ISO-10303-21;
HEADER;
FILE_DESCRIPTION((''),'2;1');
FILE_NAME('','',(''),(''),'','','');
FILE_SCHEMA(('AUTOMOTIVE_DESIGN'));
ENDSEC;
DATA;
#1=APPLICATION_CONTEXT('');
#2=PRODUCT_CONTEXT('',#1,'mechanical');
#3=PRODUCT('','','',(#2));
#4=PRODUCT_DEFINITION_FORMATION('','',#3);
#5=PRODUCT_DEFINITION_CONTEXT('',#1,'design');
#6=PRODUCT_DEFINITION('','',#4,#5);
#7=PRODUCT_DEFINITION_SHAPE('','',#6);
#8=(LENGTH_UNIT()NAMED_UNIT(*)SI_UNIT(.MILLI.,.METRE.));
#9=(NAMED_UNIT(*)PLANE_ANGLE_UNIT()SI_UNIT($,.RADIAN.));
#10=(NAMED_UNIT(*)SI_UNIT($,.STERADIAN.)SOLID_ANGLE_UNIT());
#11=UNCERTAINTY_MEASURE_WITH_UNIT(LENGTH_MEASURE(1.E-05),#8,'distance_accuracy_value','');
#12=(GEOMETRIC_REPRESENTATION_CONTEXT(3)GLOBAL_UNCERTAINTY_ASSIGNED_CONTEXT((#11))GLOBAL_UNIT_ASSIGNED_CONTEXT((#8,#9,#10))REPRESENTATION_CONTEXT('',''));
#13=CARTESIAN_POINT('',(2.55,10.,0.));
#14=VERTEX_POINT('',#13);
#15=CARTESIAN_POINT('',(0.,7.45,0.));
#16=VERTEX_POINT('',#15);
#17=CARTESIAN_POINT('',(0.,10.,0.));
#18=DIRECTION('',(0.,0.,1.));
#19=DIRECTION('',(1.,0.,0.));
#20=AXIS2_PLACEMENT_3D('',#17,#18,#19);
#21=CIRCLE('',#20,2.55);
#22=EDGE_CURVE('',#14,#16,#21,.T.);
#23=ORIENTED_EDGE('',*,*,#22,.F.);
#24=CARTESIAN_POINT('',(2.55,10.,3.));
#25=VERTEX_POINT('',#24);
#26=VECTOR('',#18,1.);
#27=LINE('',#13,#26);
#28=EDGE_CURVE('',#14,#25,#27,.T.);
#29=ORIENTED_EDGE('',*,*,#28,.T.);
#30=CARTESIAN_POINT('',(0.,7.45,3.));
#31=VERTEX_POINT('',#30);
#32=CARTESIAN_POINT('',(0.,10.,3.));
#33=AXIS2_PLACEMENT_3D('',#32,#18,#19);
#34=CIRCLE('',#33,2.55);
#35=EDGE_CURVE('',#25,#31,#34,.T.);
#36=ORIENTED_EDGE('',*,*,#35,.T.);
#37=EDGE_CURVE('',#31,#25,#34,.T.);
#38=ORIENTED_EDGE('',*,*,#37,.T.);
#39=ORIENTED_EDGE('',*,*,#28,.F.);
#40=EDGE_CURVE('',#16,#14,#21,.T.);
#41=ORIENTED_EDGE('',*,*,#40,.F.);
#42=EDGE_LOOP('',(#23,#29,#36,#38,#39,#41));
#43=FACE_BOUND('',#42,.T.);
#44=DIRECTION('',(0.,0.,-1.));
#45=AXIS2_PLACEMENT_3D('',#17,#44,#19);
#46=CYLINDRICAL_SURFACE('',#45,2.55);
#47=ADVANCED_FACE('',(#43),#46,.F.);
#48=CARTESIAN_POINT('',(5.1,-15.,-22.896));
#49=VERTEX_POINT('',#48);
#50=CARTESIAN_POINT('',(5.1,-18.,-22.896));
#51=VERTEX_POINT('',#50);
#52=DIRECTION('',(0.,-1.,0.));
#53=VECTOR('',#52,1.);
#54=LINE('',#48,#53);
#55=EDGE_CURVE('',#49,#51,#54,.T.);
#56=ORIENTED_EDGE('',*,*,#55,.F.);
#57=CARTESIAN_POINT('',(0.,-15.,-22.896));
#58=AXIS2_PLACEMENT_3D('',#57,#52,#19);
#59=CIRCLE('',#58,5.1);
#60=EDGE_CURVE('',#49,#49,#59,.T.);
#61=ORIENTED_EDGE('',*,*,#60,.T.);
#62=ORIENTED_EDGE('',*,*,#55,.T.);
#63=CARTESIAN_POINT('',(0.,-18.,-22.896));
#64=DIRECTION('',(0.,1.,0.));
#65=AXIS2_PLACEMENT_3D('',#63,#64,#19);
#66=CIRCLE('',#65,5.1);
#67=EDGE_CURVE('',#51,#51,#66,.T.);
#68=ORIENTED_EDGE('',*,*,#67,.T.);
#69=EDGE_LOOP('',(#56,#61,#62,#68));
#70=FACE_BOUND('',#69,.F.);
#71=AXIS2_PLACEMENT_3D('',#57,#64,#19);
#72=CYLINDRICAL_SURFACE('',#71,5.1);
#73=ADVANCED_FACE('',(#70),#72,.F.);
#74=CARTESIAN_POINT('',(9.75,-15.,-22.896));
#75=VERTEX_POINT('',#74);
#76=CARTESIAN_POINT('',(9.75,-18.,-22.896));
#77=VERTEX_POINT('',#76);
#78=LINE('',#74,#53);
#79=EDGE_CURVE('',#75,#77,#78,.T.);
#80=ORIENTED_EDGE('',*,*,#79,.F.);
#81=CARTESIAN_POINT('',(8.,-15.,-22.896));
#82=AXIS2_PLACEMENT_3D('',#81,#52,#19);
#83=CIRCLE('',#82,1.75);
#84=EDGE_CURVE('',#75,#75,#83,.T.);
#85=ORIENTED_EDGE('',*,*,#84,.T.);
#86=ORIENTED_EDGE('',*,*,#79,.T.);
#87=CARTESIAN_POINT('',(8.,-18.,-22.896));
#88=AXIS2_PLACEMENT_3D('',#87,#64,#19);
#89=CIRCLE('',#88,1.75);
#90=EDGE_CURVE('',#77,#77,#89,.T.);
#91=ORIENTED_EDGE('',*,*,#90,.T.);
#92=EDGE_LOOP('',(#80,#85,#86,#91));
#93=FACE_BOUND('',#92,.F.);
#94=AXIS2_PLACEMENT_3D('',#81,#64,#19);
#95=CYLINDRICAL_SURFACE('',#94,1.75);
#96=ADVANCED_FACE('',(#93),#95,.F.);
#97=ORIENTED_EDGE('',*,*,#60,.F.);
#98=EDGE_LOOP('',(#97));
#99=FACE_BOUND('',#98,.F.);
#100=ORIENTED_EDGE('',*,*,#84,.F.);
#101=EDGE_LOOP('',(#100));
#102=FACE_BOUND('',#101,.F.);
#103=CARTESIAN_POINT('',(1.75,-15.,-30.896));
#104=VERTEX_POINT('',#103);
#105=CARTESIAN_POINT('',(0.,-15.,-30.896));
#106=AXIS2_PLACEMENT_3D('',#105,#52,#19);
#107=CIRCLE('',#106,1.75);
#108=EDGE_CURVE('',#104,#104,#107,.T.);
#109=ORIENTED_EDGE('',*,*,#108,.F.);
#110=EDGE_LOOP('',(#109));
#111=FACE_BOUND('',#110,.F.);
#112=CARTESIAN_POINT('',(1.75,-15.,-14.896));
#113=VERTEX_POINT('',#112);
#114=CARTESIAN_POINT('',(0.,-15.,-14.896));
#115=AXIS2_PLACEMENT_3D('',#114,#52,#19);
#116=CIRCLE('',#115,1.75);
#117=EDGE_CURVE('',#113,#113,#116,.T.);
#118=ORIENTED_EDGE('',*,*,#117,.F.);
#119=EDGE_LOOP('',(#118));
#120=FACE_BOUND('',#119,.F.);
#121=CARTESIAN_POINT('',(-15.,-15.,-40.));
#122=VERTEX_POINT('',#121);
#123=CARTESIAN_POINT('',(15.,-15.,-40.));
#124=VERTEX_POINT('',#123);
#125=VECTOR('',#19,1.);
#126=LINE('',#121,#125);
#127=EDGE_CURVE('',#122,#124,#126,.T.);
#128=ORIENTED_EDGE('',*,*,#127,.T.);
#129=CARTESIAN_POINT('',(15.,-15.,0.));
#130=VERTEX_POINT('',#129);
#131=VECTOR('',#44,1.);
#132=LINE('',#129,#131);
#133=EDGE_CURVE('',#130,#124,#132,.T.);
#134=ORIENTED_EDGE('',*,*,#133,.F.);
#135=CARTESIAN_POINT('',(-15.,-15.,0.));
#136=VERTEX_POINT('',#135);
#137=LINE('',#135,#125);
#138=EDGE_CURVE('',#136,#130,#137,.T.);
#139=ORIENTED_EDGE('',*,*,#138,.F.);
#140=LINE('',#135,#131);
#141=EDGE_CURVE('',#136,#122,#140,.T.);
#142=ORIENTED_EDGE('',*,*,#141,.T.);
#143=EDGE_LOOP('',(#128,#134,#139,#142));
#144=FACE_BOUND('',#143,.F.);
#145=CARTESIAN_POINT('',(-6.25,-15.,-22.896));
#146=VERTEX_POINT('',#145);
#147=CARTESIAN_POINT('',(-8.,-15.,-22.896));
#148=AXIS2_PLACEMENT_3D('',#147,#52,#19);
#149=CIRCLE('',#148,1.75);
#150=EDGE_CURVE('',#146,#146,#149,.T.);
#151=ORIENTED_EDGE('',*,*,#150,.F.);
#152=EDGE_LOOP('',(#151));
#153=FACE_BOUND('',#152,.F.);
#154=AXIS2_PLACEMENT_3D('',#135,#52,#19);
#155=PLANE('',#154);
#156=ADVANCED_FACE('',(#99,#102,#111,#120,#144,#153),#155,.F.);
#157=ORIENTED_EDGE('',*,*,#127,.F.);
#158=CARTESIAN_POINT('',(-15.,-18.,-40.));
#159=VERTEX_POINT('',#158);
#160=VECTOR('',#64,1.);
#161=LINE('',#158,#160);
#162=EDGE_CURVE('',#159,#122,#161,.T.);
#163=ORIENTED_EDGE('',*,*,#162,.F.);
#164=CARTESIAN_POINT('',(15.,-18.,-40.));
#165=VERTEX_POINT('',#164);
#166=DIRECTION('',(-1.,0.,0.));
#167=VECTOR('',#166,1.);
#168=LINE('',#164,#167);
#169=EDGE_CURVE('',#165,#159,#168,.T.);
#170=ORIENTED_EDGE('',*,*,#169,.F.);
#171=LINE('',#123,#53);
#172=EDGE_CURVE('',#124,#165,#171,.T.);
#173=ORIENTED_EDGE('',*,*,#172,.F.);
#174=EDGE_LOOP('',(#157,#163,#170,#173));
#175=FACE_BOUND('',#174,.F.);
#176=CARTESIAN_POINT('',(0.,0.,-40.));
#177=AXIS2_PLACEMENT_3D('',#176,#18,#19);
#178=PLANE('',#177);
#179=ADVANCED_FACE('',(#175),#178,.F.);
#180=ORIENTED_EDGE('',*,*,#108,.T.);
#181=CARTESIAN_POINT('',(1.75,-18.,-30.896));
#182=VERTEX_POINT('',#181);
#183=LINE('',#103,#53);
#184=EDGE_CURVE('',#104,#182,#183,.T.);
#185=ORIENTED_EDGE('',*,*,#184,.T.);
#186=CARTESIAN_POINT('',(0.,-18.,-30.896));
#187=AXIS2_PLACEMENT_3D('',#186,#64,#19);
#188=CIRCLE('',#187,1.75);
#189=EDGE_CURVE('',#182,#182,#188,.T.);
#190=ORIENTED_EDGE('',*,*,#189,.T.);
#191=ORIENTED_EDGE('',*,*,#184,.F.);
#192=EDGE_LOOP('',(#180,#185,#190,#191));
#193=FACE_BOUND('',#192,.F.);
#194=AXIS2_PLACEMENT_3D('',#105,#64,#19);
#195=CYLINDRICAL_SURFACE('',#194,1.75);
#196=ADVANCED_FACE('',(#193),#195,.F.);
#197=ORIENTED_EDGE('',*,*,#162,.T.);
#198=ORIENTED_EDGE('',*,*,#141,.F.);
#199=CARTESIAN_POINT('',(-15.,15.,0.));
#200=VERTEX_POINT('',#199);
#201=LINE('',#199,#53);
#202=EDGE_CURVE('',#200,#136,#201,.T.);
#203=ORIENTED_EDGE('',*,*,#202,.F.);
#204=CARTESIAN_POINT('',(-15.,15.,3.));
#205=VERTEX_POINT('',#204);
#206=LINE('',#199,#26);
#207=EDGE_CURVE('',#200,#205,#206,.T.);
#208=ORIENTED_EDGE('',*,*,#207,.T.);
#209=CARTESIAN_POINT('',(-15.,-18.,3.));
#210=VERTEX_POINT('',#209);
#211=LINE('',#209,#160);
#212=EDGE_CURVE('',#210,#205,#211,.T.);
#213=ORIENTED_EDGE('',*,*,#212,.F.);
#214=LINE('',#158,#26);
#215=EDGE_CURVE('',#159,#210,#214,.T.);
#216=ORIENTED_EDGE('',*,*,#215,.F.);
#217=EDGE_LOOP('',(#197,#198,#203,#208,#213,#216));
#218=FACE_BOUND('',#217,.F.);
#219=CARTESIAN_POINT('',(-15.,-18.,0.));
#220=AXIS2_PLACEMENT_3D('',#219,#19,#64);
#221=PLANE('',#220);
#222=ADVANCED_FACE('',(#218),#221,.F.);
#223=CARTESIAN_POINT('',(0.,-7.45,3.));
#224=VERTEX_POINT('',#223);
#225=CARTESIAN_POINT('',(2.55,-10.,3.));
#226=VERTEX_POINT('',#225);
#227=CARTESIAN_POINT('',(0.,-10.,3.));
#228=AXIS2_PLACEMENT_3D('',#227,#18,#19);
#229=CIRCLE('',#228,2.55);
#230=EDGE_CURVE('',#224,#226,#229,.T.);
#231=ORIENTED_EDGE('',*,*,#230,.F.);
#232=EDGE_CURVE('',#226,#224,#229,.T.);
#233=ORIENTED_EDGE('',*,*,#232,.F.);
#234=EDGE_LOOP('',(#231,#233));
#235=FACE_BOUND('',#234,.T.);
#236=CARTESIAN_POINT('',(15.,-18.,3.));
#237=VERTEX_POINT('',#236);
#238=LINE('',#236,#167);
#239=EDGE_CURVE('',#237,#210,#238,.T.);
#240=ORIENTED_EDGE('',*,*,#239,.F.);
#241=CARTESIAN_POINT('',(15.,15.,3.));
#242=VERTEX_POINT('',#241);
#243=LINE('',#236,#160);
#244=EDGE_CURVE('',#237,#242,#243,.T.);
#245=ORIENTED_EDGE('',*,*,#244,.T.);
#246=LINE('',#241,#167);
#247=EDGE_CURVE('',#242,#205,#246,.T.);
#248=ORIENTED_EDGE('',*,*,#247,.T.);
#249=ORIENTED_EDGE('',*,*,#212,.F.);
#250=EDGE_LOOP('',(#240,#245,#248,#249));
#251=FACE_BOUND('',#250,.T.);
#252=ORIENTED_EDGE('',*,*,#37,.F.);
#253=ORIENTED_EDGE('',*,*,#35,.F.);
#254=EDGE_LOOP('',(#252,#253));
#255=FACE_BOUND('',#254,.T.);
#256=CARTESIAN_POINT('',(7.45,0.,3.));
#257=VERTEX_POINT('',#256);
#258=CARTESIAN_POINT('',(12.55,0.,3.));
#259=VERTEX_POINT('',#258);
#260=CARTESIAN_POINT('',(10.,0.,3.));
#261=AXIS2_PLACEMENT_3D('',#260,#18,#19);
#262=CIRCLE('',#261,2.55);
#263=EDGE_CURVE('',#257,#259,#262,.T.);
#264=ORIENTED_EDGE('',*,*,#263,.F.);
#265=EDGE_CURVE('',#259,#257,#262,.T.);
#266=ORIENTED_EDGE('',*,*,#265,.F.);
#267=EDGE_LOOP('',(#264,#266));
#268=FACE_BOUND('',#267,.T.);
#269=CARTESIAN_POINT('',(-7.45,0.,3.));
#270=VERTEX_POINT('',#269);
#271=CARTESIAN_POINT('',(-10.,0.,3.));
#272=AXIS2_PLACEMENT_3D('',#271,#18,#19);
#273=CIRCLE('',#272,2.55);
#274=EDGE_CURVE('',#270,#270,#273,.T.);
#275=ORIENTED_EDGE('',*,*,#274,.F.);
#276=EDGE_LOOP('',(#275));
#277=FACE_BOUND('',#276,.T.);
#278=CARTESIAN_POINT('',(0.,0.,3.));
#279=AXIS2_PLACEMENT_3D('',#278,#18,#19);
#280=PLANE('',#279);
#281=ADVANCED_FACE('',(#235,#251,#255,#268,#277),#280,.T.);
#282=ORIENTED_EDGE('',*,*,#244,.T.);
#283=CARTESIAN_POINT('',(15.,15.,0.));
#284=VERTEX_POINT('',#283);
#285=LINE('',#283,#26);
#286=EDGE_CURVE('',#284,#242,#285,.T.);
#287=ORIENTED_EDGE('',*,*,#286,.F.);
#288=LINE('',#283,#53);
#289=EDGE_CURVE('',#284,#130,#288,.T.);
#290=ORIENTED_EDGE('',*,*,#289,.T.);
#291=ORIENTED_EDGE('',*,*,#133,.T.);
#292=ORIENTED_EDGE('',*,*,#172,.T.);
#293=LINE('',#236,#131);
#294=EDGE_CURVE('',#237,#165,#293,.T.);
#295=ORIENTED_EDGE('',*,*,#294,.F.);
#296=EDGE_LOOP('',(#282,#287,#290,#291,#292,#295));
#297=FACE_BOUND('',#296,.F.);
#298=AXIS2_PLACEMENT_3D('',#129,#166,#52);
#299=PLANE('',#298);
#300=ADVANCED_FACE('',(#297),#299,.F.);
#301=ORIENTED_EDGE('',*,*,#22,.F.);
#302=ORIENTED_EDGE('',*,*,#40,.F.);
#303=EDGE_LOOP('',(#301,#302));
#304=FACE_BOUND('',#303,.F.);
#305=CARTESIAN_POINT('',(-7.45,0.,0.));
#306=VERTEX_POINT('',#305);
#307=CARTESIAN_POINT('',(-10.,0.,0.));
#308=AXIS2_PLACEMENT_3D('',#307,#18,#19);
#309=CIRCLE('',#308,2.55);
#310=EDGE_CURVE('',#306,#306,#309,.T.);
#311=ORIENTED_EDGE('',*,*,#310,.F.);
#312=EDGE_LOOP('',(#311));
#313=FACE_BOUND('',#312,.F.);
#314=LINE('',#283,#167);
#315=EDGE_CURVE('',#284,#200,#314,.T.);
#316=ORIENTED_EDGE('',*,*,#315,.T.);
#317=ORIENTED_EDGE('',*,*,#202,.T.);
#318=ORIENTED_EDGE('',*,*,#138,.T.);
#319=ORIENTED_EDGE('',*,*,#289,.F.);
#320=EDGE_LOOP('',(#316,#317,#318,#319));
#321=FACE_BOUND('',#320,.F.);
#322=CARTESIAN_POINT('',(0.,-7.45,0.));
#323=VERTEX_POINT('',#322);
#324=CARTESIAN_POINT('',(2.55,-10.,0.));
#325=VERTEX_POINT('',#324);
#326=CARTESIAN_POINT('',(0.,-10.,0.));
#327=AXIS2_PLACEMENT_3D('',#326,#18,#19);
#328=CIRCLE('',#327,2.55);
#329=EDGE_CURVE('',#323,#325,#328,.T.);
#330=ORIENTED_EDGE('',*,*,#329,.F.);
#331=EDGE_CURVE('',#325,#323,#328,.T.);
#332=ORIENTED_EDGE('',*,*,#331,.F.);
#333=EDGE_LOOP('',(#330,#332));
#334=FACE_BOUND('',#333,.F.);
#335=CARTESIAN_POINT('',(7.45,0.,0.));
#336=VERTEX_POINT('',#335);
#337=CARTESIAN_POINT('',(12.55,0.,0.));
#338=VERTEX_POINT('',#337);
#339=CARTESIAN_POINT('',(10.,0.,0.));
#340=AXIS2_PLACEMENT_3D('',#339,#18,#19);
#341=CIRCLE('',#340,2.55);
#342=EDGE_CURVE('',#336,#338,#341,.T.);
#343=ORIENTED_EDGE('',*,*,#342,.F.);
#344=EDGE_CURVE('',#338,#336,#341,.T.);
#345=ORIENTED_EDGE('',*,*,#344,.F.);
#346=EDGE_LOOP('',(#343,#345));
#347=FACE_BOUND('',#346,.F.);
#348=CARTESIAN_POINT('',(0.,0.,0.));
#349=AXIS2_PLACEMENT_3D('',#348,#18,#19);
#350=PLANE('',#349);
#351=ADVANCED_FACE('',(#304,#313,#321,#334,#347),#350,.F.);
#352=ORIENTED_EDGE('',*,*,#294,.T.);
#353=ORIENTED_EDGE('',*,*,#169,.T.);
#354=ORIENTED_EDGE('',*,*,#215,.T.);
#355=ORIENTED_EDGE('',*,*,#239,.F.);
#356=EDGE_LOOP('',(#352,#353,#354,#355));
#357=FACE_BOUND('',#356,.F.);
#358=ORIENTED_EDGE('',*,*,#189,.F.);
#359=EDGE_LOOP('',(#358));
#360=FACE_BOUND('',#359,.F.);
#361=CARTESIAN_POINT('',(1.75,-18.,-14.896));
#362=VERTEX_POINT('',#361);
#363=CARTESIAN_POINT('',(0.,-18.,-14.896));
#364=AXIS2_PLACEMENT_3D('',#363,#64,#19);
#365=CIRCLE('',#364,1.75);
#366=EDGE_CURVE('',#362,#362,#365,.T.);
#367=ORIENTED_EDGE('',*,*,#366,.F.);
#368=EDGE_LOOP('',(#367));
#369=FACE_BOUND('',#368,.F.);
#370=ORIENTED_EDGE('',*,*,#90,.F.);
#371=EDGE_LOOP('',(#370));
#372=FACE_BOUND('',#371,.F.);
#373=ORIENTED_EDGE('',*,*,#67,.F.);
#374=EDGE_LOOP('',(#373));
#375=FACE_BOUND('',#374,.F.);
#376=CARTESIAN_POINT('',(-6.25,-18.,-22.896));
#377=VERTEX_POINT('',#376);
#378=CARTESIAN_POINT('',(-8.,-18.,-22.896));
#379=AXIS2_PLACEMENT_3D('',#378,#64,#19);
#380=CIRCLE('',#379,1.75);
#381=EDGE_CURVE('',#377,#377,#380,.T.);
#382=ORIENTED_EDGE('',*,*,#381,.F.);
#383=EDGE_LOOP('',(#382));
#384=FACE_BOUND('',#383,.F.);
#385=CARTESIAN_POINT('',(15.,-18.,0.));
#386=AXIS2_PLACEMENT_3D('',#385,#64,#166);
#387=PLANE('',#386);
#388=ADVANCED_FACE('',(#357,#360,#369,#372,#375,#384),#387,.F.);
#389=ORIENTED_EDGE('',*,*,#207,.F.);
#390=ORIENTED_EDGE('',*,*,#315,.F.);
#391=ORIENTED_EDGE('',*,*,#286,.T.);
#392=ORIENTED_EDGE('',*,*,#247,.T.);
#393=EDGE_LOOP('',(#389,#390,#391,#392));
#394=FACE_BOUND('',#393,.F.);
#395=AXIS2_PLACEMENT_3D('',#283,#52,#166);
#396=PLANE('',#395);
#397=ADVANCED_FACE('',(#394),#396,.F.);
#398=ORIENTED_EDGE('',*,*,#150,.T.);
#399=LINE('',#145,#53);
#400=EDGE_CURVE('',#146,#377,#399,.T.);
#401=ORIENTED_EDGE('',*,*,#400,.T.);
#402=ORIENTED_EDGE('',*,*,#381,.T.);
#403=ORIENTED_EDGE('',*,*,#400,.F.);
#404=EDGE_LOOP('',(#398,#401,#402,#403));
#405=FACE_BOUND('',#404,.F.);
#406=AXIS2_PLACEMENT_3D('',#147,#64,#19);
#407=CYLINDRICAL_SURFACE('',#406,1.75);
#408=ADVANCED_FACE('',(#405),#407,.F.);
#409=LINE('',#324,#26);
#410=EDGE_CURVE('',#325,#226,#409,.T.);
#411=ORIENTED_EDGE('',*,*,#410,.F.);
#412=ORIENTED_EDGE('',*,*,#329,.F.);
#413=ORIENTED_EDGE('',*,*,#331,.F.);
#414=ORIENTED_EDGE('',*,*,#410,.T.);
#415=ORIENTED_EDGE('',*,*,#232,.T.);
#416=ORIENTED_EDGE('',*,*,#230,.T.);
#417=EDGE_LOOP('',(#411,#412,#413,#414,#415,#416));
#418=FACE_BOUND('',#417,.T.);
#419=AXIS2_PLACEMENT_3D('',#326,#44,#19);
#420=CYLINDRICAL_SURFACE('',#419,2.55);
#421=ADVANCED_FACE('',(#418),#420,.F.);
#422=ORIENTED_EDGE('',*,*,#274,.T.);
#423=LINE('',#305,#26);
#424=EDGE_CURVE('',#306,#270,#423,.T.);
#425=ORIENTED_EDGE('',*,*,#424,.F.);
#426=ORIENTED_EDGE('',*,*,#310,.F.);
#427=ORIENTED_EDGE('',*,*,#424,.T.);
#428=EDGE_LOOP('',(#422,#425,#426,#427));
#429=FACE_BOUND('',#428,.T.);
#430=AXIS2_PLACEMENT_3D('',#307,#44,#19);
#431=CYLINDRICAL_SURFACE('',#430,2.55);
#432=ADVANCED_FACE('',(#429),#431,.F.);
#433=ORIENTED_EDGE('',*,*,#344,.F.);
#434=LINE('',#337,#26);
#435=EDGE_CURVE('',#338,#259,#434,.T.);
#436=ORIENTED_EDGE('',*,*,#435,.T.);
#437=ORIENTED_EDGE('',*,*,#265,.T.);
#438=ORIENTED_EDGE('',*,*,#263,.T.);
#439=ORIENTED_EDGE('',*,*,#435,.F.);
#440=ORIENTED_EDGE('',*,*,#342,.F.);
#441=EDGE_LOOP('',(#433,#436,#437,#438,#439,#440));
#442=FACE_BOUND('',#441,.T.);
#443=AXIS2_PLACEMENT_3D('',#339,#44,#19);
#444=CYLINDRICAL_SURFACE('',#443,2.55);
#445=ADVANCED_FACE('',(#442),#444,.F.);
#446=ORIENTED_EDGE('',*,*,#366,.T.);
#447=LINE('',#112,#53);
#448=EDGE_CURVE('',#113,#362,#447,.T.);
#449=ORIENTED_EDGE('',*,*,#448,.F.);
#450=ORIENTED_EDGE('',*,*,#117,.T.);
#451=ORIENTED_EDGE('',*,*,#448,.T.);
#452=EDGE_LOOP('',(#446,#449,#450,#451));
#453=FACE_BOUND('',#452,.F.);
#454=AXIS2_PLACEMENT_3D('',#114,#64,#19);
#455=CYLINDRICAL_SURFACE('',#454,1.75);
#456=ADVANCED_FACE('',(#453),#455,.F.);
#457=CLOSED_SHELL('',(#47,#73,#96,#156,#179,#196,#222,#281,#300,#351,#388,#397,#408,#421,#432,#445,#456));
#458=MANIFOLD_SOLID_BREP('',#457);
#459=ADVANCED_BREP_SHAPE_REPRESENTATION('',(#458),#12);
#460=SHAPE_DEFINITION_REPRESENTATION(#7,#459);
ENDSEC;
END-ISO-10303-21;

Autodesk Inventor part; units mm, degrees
ref_plane "YZ Plane" through (0, 0, 0) normal (1, 0, 0) x (0, 1, 0)
ref_plane "XZ Plane" through (0, 0, 0) normal (0, 1, 0) x (-1, 0, 0)
ref_plane "XY Plane" through (0, 0, 0) normal (0, 0, 1) x (1, 0, 0)
sketch "Sketch1" plane through (0, 0, 0) normal (0, 0, 1) x (1, 0, 0)
  line L0 (-15, -15) -> (15, -15)
  line L1 (15, -15) -> (15, 15)
  line L2 (15, 15) -> (-15, 15)
  line L3 (-15, 15) -> (-15, -15)
  line L4 (-15, -15) -> (15, 15) construction
  line L5 (15, -15) -> (-15, 15) construction
  line L6 (0, -10) -> (0, 10)
  line L7 (-10, 0) -> (10, 0)
  circle A0 centre (-10, 0) radius 2.55
  circle A1 centre (0, 10) radius 2.55
  circle A2 centre (10, 0) radius 2.55
  circle A3 centre (0, -10) radius 2.55
  line L8 (-15, -15) -> (15, -15)
  line L9 (15, -15) -> (15, -18)
  line L10 (15, -18) -> (-15, -18)
  line L11 (-15, -18) -> (-15, -15)
  point P0 (0, 0)
  dimension "d0" = 30
  dimension "d1" = 30
  dimension "d2" = 20
  dimension "d3" = 20
  dimension "d4" = 5.1
  dimension "d5" = 5.1
  dimension "d6" = 5.1
  dimension "d7" = 5.1
  dimension "d8" = 3
extrude "Extrusion1" add sketch "Sketch1" along normal blind 3
extrude "Extrusion2" add sketch "Sketch1" against normal blind 40 contours L0 L9 L10 L11
sketch "Sketch2" plane through (-15, -15, 0) normal (0, 1, 0) x (1, 0, 0)
  line L0 (0, 0) -> (0, -3) projected
  line L1 (30, 0) -> (30, 40) projected
  line L2 (0, 0) -> (30, 0)
  line L3 (30, 0) -> (15, 0)
  line L4 (15, 0) -> (15, 22.896)
  circle A0 centre (15, 22.896) radius 5.1
  circle A1 centre (15, 22.896) radius 8
  circle A2 centre (15, 14.896) radius 1.75
  circle A3 centre (23, 22.896) radius 1.75
  circle A4 centre (15, 30.896) radius 1.75
  circle A5 centre (7, 22.896) radius 1.75
  point P0 (13.2605, 30.7046)
  point P1 (16.7395, 30.7046)
  dimension "d15" = 16
  dimension "d13" = 22.896
  dimension "d14" = 10.2
  dimension "d16" = 3.5
  dimension "d19" = 360
extrude "Extrusion3" cut sketch "Sketch2" against normal blind 40 contours A2 A1 L4 | L4 A1 A2 | A1 A2 L4 | L4 A2 A1 | A0 | A5 A1 | A1 A5 | A3 A1 | A1 A3 | A4 A1 | A1 A4
properties part number "Leadnut Attachment"
